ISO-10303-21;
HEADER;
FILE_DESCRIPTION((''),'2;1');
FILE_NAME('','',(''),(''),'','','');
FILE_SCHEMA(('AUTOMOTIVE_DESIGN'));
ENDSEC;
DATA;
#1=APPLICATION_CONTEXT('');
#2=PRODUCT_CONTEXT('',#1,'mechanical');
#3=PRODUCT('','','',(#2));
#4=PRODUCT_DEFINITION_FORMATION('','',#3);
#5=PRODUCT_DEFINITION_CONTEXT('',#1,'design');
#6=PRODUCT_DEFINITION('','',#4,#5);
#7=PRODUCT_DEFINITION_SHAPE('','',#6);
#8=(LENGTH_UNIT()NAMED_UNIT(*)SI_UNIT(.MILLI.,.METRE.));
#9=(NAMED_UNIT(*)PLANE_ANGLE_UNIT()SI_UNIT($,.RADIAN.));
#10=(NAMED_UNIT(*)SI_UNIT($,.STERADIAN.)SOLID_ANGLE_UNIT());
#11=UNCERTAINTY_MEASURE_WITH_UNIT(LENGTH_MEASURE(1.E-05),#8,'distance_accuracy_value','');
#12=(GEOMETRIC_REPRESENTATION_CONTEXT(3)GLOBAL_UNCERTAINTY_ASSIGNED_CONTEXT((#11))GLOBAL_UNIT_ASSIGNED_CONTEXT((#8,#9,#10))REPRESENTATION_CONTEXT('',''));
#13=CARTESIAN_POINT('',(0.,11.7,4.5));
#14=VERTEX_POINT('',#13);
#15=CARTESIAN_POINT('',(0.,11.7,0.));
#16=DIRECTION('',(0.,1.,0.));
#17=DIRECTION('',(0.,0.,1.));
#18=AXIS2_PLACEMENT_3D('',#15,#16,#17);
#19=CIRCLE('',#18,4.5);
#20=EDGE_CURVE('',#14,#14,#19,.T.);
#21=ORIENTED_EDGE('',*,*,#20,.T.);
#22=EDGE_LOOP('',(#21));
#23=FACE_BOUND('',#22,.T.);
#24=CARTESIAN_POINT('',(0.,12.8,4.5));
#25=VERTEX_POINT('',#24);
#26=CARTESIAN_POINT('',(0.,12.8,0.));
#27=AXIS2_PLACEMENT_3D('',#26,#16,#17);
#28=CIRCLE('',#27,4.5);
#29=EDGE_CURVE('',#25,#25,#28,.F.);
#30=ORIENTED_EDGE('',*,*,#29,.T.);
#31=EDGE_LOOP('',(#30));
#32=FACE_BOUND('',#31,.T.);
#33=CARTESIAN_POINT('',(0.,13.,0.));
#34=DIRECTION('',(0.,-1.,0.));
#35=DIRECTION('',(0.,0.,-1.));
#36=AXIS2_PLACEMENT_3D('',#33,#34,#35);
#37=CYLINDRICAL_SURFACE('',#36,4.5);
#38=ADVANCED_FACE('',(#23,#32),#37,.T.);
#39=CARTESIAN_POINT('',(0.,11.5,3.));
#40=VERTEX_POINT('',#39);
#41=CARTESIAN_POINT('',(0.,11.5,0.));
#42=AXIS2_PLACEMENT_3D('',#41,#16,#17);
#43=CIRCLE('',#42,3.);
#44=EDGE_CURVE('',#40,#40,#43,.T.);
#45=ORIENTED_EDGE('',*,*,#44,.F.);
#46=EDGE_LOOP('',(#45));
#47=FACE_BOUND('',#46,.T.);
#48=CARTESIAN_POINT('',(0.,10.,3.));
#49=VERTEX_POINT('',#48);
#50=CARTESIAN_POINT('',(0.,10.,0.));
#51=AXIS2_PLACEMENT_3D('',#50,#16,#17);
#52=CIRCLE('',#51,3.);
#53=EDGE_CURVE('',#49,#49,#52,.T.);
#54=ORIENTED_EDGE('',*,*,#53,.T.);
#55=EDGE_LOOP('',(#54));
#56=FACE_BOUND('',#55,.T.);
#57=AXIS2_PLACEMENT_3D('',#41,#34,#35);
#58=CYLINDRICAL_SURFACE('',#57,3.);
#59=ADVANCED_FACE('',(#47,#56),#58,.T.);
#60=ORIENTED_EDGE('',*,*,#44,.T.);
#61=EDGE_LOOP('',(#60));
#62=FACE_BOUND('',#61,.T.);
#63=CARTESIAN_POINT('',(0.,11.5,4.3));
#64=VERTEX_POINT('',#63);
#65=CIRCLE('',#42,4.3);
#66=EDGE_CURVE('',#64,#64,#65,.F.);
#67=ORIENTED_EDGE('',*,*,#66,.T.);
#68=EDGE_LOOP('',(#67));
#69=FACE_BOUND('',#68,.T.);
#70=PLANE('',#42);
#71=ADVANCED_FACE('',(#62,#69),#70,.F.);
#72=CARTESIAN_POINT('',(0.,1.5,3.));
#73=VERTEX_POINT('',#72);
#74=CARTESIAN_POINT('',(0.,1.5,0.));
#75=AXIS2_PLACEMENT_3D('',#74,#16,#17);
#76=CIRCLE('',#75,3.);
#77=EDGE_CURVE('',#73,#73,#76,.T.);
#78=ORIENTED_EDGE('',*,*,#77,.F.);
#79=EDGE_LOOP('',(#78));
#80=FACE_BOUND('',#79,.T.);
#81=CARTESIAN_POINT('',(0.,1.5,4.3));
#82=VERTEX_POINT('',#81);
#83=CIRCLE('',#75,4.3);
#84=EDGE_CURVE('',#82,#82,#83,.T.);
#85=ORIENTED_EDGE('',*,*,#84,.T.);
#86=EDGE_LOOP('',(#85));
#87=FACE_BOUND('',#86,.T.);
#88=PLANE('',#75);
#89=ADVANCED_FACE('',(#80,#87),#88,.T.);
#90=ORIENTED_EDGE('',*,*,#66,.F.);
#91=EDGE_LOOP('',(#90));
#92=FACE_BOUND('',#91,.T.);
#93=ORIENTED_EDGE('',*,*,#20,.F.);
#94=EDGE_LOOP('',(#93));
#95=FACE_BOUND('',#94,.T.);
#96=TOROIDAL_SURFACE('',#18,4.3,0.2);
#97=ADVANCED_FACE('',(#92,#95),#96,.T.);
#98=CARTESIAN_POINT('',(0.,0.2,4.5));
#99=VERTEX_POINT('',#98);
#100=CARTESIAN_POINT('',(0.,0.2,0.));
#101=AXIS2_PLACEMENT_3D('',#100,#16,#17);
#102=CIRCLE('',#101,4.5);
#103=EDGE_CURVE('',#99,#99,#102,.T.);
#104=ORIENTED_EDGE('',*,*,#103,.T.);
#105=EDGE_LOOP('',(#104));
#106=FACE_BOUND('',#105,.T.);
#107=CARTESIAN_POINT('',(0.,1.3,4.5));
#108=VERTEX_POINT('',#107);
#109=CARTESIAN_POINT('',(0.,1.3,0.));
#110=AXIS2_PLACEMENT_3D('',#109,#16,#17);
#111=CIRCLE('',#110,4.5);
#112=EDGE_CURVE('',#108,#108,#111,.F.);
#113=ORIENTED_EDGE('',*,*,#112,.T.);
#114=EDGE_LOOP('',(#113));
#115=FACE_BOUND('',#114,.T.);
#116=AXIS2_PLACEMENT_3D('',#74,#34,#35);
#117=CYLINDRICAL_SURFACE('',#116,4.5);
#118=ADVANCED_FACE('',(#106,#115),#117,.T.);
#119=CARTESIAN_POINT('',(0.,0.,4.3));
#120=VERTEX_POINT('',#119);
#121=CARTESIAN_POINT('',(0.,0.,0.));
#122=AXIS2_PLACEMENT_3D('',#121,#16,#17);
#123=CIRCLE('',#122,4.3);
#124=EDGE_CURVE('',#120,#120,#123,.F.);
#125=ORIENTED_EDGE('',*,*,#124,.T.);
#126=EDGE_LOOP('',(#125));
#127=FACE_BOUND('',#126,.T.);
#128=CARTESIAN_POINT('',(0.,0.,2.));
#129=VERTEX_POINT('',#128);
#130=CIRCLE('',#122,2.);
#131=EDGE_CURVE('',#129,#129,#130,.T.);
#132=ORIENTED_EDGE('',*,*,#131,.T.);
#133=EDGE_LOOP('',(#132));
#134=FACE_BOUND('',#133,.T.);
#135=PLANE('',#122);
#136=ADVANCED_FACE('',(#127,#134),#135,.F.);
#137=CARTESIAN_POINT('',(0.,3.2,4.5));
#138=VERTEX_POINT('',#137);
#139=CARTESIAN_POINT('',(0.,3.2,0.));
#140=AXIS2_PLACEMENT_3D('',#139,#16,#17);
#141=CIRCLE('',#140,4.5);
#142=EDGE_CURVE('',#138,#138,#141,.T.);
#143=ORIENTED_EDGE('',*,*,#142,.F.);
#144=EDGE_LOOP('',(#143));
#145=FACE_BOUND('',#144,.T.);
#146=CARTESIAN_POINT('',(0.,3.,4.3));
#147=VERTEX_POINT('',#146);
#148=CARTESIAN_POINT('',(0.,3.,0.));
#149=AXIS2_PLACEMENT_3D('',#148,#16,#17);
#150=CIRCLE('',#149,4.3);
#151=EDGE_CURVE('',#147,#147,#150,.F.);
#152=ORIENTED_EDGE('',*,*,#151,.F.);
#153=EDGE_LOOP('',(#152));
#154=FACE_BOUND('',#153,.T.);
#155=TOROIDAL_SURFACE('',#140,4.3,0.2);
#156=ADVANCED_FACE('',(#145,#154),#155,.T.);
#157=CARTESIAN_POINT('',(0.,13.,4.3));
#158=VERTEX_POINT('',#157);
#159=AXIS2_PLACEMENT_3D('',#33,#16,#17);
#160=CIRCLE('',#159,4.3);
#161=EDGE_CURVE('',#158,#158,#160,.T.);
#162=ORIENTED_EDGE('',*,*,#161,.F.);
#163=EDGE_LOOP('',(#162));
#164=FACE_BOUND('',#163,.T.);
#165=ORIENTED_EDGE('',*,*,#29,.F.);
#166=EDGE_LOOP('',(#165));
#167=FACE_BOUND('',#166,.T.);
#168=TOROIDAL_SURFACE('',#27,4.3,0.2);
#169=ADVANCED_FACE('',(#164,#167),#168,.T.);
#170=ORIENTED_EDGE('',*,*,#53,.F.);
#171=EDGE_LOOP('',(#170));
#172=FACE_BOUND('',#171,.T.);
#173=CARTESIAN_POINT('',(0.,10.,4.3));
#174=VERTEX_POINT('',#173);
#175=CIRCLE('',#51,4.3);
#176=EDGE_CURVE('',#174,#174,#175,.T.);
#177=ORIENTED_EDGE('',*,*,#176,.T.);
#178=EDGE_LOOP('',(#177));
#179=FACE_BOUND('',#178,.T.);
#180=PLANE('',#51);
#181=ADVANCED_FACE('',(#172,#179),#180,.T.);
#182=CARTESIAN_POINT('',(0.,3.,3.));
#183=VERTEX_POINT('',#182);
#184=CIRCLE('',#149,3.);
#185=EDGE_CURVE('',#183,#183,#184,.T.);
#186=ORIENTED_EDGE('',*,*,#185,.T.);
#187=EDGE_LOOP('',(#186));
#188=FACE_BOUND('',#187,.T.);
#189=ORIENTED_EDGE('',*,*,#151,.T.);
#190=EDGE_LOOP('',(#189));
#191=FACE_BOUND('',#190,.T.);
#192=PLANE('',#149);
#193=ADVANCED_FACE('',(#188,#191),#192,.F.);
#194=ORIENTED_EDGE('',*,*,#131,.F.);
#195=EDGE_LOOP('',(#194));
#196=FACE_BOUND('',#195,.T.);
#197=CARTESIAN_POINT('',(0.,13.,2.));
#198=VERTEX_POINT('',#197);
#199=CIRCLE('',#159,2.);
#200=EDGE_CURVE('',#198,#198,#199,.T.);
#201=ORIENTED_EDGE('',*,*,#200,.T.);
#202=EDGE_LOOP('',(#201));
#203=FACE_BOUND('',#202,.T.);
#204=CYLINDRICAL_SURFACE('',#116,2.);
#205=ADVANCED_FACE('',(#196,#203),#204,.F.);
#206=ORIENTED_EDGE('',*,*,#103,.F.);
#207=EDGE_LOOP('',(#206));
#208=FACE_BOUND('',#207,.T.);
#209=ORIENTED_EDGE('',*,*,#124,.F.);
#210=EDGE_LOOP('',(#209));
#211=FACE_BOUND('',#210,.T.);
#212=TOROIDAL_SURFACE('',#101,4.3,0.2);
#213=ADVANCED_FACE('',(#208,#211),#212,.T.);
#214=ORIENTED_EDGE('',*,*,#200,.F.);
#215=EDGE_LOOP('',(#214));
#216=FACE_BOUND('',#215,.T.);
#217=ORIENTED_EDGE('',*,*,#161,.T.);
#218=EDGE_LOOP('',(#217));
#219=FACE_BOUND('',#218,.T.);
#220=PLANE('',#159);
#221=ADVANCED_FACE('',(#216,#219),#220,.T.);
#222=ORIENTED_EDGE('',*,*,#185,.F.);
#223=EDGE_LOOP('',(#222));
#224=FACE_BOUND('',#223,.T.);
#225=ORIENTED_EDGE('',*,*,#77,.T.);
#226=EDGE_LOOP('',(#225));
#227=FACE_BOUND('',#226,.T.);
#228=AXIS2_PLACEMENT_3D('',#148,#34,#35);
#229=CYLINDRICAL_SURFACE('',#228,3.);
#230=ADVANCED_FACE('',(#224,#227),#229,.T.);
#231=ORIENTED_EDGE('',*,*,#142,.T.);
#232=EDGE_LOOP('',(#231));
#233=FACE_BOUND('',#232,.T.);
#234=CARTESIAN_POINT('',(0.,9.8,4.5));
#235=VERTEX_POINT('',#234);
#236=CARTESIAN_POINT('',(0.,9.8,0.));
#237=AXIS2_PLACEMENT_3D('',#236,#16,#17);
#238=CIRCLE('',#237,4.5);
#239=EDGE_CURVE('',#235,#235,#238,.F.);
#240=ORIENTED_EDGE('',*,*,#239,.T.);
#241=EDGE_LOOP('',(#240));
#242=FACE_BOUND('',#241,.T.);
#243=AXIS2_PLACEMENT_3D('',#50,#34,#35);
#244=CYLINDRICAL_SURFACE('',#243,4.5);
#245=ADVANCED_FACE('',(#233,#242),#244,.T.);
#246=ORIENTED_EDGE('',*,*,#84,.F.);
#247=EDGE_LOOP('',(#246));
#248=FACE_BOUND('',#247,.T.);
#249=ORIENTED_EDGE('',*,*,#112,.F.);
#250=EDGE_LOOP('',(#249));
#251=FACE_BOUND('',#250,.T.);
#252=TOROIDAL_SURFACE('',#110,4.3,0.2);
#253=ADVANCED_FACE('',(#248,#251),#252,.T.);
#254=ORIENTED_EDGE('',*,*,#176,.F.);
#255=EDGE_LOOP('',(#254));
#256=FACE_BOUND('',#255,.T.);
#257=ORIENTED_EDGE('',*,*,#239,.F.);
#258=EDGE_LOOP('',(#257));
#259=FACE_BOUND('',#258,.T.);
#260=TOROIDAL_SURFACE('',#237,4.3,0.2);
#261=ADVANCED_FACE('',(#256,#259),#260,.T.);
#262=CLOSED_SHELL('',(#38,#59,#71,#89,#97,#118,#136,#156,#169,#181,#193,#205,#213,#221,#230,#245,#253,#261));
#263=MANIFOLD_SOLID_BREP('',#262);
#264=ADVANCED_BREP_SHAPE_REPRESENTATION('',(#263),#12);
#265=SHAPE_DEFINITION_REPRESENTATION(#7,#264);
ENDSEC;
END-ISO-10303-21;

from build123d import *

# Parameters (mm, degrees)
SKETCH1_R           = 4.5
SKETCH1_R_2         = 2
BOSS_EXTRUDE1_DEPTH = 1.5
SKETCH2_R           = 3
SKETCH2_R_2         = 2
BOSS_EXTRUDE2_DEPTH = 1.5
SKETCH3_R           = 4.5
SKETCH3_R_2         = 2
BOSS_EXTRUDE3_DEPTH = 7
SKETCH4_R           = 3
SKETCH4_R_2         = 2
BOSS_EXTRUDE4_DEPTH = 1.5
SKETCH5_R           = 4.5
SKETCH5_R_2         = 2
BOSS_EXTRUDE5_DEPTH = 1.5
FILLET1_R           = 0.2


with BuildPart() as part:
    # Sketch1 → Boss-Extrude1 (new body)
    with BuildSketch(Plane(origin=(0, 0, 0), x_dir=(1, 0, 0), z_dir=(0, 1, 0))):
        with Locations(Location((0, 0, 0), (0, 0, 270))):
            Circle(SKETCH1_R)
        with Locations(Location((0, 0, 0), (0, 0, 270))):
            Circle(SKETCH1_R_2, mode=Mode.SUBTRACT)
    extrude(amount=BOSS_EXTRUDE1_DEPTH)

    # Sketch2 → Boss-Extrude2 (add)
    with BuildSketch(Plane(origin=(0, 1.5, 0), x_dir=(1, 0, 0), z_dir=(0, 1, 0))):
        with Locations(Location((0, 0, 0), (0, 0, 270))):
            Circle(SKETCH2_R)
        with Locations(Location((0, 0, 0), (0, 0, 270))):
            Circle(SKETCH2_R_2, mode=Mode.SUBTRACT)
    extrude(amount=BOSS_EXTRUDE2_DEPTH)

    # Sketch3 → Boss-Extrude3 (add)
    with BuildSketch(Plane(origin=(0, 3, 0), x_dir=(1, 0, 0), z_dir=(0, 1, 0))):
        with Locations(Location((0, 0, 0), (0, 0, 270))):
            Circle(SKETCH3_R)
        with Locations(Location((0, 0, 0), (0, 0, 270))):
            Circle(SKETCH3_R_2, mode=Mode.SUBTRACT)
    extrude(amount=BOSS_EXTRUDE3_DEPTH)

    # Sketch4 → Boss-Extrude4 (add)
    with BuildSketch(Plane(origin=(0, 10, 0), x_dir=(1, 0, 0), z_dir=(0, 1, 0))):
        with Locations(Location((0, 0, 0), (0, 0, 270))):
            Circle(SKETCH4_R)
        with Locations(Location((0, 0, 0), (0, 0, 270))):
            Circle(SKETCH4_R_2, mode=Mode.SUBTRACT)
    extrude(amount=BOSS_EXTRUDE4_DEPTH)

    # Sketch5 → Boss-Extrude5 (add)
    with BuildSketch(Plane(origin=(0, 11.5, 0), x_dir=(1, 0, 0), z_dir=(0, 1, 0))):
        with Locations(Location((0, 0, 0), (0, 0, 270))):
            Circle(SKETCH5_R)
        with Locations(Location((0, 0, 0), (0, 0, 270))):
            Circle(SKETCH5_R_2, mode=Mode.SUBTRACT)
    extrude(amount=BOSS_EXTRUDE5_DEPTH)

    # Fillet1
    fillet1_edges = [part.edges().sort_by_distance(p)[0] for p in [
        (0, 10, -4.5),
        (0, 3, -4.5),
        (0, 0, -4.5),
        (0, 13, -4.5),
        (0, 11.5, -4.5),
        (0, 1.5, -4.5),
    ]]
    fillet(fillet1_edges, radius=FILLET1_R)


solid = part.part
